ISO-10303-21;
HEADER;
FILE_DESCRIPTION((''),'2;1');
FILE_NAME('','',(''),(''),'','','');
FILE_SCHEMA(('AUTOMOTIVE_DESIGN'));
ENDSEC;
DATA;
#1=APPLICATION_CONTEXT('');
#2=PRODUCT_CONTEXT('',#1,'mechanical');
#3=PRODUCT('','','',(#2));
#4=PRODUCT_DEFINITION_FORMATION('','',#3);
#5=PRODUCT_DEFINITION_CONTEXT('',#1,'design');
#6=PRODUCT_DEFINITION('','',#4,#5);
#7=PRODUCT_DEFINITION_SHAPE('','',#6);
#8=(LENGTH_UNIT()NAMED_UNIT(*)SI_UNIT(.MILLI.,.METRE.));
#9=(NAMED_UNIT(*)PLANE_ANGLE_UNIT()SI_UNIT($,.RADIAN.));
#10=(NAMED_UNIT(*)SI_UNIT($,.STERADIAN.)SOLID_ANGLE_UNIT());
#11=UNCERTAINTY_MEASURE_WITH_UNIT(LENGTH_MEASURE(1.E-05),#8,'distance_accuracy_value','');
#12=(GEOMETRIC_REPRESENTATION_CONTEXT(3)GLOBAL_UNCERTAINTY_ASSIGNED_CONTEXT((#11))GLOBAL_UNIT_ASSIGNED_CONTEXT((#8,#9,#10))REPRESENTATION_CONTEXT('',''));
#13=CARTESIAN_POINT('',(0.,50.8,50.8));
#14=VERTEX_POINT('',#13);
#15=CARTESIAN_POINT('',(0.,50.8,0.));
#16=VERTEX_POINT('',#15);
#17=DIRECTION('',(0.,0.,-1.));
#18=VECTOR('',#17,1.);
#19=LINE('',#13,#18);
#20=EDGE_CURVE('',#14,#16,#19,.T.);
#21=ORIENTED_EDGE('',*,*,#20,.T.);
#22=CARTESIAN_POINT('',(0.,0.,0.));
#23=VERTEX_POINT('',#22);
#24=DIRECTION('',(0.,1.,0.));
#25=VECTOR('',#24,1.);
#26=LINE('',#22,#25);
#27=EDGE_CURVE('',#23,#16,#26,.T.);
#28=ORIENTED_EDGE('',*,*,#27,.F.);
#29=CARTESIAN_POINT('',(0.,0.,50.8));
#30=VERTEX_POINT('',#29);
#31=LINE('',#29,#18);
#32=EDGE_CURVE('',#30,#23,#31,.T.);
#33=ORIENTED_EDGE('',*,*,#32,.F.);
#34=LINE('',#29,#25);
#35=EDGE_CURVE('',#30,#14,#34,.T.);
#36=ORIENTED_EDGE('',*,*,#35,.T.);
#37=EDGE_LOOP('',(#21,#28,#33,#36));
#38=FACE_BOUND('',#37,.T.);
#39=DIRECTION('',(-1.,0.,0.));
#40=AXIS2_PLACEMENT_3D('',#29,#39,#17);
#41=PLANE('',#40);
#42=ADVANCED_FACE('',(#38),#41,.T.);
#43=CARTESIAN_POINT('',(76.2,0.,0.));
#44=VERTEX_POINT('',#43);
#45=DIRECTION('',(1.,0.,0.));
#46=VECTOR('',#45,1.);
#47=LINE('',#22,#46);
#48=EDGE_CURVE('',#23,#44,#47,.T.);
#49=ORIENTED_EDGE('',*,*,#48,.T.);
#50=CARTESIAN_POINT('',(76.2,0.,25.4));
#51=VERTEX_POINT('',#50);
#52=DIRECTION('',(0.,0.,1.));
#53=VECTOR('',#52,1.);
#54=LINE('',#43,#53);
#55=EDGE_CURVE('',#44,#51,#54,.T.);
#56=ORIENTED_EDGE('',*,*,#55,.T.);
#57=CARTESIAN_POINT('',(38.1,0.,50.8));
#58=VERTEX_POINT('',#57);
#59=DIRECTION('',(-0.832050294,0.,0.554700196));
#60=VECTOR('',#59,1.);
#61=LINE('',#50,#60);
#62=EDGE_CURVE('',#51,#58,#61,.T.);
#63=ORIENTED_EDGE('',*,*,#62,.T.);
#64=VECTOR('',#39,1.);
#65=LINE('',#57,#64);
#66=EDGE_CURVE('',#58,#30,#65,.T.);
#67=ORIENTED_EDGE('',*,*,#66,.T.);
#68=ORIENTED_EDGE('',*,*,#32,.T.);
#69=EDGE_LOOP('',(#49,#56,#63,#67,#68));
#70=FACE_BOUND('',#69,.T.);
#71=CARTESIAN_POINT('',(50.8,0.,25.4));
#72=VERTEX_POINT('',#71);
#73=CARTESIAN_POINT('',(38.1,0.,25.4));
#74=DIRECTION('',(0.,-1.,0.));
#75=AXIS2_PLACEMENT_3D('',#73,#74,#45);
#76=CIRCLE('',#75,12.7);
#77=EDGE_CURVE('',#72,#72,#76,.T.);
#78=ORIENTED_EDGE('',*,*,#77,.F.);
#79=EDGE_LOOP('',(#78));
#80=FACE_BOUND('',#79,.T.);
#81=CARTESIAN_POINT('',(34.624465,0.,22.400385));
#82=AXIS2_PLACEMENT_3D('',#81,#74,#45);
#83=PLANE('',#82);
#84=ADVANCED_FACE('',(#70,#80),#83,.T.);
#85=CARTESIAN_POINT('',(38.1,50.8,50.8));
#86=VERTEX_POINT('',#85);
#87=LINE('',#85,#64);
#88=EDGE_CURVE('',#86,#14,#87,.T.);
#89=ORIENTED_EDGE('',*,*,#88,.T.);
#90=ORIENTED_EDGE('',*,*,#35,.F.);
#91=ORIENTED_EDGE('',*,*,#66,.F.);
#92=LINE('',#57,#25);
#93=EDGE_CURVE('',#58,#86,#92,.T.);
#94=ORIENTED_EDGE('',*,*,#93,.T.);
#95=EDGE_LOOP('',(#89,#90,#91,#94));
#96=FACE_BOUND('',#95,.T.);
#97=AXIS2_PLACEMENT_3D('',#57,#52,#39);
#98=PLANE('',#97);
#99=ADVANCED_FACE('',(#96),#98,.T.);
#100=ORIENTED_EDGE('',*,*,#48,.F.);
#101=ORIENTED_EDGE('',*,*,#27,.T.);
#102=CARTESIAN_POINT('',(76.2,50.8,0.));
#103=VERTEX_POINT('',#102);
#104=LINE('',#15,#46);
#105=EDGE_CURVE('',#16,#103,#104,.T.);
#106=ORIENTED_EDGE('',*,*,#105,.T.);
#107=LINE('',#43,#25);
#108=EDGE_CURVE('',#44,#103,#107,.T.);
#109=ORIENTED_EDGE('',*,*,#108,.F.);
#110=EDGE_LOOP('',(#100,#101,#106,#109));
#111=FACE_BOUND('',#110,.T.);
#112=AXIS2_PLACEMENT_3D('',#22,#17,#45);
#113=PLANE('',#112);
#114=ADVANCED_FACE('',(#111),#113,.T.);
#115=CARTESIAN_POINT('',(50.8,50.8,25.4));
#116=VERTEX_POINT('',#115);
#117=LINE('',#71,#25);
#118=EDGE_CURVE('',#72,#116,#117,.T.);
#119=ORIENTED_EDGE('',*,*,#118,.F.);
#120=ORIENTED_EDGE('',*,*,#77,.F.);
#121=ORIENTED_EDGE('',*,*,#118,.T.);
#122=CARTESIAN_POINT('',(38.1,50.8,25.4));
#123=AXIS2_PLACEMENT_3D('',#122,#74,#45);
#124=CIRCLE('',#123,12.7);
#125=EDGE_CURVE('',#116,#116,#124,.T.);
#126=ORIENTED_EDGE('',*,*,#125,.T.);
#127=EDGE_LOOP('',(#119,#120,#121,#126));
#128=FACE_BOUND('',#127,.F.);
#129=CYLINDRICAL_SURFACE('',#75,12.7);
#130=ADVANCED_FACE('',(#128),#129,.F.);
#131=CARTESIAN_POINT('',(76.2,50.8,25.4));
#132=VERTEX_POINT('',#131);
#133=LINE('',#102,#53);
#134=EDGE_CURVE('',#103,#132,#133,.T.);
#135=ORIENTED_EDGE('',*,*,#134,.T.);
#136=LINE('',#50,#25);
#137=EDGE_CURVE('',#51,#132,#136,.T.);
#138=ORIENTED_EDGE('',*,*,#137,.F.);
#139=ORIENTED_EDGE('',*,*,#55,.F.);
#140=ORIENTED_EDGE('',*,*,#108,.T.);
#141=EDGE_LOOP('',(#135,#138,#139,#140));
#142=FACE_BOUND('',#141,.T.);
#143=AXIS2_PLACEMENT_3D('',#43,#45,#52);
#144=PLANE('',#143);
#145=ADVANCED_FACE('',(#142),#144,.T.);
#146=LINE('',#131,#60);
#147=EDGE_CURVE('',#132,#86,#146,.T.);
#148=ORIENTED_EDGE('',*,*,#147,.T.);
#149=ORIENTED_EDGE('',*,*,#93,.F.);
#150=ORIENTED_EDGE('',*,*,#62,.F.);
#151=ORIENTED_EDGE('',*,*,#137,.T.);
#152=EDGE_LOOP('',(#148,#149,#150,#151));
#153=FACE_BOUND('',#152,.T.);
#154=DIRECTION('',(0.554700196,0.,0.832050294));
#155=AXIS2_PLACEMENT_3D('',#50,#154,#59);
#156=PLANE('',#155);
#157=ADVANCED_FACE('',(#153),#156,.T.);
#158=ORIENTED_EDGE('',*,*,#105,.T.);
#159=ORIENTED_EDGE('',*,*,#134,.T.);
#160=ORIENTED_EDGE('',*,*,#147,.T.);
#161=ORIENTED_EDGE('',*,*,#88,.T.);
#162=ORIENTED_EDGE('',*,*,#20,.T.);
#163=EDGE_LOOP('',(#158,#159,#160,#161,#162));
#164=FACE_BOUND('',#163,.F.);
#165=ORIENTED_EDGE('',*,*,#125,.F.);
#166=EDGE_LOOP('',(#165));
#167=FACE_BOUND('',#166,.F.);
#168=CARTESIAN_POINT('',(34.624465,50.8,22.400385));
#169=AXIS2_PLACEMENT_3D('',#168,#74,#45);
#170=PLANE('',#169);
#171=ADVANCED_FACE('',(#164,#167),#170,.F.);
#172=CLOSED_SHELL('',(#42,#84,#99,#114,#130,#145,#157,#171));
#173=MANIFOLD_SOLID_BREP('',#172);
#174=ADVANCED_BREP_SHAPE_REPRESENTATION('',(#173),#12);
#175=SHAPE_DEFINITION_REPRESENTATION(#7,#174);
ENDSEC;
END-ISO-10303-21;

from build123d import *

# Parameters (mm, degrees)
F0_R     = 12.7
F1_DEPTH = 50.8


with BuildPart() as f1:
    # F0 (on Front) → F1 (new body)
    with BuildSketch(Plane.XZ):
        Polygon((0, 50.8), (0, 0), (38.1, 0), (76.2, 0), (76.2, 25.4), (38.1, 50.8), align=None)
        with Locations((38.1, 25.4)):
            Circle(F0_R, mode=Mode.SUBTRACT)
    extrude(amount=-F1_DEPTH)


solid = f1.part
